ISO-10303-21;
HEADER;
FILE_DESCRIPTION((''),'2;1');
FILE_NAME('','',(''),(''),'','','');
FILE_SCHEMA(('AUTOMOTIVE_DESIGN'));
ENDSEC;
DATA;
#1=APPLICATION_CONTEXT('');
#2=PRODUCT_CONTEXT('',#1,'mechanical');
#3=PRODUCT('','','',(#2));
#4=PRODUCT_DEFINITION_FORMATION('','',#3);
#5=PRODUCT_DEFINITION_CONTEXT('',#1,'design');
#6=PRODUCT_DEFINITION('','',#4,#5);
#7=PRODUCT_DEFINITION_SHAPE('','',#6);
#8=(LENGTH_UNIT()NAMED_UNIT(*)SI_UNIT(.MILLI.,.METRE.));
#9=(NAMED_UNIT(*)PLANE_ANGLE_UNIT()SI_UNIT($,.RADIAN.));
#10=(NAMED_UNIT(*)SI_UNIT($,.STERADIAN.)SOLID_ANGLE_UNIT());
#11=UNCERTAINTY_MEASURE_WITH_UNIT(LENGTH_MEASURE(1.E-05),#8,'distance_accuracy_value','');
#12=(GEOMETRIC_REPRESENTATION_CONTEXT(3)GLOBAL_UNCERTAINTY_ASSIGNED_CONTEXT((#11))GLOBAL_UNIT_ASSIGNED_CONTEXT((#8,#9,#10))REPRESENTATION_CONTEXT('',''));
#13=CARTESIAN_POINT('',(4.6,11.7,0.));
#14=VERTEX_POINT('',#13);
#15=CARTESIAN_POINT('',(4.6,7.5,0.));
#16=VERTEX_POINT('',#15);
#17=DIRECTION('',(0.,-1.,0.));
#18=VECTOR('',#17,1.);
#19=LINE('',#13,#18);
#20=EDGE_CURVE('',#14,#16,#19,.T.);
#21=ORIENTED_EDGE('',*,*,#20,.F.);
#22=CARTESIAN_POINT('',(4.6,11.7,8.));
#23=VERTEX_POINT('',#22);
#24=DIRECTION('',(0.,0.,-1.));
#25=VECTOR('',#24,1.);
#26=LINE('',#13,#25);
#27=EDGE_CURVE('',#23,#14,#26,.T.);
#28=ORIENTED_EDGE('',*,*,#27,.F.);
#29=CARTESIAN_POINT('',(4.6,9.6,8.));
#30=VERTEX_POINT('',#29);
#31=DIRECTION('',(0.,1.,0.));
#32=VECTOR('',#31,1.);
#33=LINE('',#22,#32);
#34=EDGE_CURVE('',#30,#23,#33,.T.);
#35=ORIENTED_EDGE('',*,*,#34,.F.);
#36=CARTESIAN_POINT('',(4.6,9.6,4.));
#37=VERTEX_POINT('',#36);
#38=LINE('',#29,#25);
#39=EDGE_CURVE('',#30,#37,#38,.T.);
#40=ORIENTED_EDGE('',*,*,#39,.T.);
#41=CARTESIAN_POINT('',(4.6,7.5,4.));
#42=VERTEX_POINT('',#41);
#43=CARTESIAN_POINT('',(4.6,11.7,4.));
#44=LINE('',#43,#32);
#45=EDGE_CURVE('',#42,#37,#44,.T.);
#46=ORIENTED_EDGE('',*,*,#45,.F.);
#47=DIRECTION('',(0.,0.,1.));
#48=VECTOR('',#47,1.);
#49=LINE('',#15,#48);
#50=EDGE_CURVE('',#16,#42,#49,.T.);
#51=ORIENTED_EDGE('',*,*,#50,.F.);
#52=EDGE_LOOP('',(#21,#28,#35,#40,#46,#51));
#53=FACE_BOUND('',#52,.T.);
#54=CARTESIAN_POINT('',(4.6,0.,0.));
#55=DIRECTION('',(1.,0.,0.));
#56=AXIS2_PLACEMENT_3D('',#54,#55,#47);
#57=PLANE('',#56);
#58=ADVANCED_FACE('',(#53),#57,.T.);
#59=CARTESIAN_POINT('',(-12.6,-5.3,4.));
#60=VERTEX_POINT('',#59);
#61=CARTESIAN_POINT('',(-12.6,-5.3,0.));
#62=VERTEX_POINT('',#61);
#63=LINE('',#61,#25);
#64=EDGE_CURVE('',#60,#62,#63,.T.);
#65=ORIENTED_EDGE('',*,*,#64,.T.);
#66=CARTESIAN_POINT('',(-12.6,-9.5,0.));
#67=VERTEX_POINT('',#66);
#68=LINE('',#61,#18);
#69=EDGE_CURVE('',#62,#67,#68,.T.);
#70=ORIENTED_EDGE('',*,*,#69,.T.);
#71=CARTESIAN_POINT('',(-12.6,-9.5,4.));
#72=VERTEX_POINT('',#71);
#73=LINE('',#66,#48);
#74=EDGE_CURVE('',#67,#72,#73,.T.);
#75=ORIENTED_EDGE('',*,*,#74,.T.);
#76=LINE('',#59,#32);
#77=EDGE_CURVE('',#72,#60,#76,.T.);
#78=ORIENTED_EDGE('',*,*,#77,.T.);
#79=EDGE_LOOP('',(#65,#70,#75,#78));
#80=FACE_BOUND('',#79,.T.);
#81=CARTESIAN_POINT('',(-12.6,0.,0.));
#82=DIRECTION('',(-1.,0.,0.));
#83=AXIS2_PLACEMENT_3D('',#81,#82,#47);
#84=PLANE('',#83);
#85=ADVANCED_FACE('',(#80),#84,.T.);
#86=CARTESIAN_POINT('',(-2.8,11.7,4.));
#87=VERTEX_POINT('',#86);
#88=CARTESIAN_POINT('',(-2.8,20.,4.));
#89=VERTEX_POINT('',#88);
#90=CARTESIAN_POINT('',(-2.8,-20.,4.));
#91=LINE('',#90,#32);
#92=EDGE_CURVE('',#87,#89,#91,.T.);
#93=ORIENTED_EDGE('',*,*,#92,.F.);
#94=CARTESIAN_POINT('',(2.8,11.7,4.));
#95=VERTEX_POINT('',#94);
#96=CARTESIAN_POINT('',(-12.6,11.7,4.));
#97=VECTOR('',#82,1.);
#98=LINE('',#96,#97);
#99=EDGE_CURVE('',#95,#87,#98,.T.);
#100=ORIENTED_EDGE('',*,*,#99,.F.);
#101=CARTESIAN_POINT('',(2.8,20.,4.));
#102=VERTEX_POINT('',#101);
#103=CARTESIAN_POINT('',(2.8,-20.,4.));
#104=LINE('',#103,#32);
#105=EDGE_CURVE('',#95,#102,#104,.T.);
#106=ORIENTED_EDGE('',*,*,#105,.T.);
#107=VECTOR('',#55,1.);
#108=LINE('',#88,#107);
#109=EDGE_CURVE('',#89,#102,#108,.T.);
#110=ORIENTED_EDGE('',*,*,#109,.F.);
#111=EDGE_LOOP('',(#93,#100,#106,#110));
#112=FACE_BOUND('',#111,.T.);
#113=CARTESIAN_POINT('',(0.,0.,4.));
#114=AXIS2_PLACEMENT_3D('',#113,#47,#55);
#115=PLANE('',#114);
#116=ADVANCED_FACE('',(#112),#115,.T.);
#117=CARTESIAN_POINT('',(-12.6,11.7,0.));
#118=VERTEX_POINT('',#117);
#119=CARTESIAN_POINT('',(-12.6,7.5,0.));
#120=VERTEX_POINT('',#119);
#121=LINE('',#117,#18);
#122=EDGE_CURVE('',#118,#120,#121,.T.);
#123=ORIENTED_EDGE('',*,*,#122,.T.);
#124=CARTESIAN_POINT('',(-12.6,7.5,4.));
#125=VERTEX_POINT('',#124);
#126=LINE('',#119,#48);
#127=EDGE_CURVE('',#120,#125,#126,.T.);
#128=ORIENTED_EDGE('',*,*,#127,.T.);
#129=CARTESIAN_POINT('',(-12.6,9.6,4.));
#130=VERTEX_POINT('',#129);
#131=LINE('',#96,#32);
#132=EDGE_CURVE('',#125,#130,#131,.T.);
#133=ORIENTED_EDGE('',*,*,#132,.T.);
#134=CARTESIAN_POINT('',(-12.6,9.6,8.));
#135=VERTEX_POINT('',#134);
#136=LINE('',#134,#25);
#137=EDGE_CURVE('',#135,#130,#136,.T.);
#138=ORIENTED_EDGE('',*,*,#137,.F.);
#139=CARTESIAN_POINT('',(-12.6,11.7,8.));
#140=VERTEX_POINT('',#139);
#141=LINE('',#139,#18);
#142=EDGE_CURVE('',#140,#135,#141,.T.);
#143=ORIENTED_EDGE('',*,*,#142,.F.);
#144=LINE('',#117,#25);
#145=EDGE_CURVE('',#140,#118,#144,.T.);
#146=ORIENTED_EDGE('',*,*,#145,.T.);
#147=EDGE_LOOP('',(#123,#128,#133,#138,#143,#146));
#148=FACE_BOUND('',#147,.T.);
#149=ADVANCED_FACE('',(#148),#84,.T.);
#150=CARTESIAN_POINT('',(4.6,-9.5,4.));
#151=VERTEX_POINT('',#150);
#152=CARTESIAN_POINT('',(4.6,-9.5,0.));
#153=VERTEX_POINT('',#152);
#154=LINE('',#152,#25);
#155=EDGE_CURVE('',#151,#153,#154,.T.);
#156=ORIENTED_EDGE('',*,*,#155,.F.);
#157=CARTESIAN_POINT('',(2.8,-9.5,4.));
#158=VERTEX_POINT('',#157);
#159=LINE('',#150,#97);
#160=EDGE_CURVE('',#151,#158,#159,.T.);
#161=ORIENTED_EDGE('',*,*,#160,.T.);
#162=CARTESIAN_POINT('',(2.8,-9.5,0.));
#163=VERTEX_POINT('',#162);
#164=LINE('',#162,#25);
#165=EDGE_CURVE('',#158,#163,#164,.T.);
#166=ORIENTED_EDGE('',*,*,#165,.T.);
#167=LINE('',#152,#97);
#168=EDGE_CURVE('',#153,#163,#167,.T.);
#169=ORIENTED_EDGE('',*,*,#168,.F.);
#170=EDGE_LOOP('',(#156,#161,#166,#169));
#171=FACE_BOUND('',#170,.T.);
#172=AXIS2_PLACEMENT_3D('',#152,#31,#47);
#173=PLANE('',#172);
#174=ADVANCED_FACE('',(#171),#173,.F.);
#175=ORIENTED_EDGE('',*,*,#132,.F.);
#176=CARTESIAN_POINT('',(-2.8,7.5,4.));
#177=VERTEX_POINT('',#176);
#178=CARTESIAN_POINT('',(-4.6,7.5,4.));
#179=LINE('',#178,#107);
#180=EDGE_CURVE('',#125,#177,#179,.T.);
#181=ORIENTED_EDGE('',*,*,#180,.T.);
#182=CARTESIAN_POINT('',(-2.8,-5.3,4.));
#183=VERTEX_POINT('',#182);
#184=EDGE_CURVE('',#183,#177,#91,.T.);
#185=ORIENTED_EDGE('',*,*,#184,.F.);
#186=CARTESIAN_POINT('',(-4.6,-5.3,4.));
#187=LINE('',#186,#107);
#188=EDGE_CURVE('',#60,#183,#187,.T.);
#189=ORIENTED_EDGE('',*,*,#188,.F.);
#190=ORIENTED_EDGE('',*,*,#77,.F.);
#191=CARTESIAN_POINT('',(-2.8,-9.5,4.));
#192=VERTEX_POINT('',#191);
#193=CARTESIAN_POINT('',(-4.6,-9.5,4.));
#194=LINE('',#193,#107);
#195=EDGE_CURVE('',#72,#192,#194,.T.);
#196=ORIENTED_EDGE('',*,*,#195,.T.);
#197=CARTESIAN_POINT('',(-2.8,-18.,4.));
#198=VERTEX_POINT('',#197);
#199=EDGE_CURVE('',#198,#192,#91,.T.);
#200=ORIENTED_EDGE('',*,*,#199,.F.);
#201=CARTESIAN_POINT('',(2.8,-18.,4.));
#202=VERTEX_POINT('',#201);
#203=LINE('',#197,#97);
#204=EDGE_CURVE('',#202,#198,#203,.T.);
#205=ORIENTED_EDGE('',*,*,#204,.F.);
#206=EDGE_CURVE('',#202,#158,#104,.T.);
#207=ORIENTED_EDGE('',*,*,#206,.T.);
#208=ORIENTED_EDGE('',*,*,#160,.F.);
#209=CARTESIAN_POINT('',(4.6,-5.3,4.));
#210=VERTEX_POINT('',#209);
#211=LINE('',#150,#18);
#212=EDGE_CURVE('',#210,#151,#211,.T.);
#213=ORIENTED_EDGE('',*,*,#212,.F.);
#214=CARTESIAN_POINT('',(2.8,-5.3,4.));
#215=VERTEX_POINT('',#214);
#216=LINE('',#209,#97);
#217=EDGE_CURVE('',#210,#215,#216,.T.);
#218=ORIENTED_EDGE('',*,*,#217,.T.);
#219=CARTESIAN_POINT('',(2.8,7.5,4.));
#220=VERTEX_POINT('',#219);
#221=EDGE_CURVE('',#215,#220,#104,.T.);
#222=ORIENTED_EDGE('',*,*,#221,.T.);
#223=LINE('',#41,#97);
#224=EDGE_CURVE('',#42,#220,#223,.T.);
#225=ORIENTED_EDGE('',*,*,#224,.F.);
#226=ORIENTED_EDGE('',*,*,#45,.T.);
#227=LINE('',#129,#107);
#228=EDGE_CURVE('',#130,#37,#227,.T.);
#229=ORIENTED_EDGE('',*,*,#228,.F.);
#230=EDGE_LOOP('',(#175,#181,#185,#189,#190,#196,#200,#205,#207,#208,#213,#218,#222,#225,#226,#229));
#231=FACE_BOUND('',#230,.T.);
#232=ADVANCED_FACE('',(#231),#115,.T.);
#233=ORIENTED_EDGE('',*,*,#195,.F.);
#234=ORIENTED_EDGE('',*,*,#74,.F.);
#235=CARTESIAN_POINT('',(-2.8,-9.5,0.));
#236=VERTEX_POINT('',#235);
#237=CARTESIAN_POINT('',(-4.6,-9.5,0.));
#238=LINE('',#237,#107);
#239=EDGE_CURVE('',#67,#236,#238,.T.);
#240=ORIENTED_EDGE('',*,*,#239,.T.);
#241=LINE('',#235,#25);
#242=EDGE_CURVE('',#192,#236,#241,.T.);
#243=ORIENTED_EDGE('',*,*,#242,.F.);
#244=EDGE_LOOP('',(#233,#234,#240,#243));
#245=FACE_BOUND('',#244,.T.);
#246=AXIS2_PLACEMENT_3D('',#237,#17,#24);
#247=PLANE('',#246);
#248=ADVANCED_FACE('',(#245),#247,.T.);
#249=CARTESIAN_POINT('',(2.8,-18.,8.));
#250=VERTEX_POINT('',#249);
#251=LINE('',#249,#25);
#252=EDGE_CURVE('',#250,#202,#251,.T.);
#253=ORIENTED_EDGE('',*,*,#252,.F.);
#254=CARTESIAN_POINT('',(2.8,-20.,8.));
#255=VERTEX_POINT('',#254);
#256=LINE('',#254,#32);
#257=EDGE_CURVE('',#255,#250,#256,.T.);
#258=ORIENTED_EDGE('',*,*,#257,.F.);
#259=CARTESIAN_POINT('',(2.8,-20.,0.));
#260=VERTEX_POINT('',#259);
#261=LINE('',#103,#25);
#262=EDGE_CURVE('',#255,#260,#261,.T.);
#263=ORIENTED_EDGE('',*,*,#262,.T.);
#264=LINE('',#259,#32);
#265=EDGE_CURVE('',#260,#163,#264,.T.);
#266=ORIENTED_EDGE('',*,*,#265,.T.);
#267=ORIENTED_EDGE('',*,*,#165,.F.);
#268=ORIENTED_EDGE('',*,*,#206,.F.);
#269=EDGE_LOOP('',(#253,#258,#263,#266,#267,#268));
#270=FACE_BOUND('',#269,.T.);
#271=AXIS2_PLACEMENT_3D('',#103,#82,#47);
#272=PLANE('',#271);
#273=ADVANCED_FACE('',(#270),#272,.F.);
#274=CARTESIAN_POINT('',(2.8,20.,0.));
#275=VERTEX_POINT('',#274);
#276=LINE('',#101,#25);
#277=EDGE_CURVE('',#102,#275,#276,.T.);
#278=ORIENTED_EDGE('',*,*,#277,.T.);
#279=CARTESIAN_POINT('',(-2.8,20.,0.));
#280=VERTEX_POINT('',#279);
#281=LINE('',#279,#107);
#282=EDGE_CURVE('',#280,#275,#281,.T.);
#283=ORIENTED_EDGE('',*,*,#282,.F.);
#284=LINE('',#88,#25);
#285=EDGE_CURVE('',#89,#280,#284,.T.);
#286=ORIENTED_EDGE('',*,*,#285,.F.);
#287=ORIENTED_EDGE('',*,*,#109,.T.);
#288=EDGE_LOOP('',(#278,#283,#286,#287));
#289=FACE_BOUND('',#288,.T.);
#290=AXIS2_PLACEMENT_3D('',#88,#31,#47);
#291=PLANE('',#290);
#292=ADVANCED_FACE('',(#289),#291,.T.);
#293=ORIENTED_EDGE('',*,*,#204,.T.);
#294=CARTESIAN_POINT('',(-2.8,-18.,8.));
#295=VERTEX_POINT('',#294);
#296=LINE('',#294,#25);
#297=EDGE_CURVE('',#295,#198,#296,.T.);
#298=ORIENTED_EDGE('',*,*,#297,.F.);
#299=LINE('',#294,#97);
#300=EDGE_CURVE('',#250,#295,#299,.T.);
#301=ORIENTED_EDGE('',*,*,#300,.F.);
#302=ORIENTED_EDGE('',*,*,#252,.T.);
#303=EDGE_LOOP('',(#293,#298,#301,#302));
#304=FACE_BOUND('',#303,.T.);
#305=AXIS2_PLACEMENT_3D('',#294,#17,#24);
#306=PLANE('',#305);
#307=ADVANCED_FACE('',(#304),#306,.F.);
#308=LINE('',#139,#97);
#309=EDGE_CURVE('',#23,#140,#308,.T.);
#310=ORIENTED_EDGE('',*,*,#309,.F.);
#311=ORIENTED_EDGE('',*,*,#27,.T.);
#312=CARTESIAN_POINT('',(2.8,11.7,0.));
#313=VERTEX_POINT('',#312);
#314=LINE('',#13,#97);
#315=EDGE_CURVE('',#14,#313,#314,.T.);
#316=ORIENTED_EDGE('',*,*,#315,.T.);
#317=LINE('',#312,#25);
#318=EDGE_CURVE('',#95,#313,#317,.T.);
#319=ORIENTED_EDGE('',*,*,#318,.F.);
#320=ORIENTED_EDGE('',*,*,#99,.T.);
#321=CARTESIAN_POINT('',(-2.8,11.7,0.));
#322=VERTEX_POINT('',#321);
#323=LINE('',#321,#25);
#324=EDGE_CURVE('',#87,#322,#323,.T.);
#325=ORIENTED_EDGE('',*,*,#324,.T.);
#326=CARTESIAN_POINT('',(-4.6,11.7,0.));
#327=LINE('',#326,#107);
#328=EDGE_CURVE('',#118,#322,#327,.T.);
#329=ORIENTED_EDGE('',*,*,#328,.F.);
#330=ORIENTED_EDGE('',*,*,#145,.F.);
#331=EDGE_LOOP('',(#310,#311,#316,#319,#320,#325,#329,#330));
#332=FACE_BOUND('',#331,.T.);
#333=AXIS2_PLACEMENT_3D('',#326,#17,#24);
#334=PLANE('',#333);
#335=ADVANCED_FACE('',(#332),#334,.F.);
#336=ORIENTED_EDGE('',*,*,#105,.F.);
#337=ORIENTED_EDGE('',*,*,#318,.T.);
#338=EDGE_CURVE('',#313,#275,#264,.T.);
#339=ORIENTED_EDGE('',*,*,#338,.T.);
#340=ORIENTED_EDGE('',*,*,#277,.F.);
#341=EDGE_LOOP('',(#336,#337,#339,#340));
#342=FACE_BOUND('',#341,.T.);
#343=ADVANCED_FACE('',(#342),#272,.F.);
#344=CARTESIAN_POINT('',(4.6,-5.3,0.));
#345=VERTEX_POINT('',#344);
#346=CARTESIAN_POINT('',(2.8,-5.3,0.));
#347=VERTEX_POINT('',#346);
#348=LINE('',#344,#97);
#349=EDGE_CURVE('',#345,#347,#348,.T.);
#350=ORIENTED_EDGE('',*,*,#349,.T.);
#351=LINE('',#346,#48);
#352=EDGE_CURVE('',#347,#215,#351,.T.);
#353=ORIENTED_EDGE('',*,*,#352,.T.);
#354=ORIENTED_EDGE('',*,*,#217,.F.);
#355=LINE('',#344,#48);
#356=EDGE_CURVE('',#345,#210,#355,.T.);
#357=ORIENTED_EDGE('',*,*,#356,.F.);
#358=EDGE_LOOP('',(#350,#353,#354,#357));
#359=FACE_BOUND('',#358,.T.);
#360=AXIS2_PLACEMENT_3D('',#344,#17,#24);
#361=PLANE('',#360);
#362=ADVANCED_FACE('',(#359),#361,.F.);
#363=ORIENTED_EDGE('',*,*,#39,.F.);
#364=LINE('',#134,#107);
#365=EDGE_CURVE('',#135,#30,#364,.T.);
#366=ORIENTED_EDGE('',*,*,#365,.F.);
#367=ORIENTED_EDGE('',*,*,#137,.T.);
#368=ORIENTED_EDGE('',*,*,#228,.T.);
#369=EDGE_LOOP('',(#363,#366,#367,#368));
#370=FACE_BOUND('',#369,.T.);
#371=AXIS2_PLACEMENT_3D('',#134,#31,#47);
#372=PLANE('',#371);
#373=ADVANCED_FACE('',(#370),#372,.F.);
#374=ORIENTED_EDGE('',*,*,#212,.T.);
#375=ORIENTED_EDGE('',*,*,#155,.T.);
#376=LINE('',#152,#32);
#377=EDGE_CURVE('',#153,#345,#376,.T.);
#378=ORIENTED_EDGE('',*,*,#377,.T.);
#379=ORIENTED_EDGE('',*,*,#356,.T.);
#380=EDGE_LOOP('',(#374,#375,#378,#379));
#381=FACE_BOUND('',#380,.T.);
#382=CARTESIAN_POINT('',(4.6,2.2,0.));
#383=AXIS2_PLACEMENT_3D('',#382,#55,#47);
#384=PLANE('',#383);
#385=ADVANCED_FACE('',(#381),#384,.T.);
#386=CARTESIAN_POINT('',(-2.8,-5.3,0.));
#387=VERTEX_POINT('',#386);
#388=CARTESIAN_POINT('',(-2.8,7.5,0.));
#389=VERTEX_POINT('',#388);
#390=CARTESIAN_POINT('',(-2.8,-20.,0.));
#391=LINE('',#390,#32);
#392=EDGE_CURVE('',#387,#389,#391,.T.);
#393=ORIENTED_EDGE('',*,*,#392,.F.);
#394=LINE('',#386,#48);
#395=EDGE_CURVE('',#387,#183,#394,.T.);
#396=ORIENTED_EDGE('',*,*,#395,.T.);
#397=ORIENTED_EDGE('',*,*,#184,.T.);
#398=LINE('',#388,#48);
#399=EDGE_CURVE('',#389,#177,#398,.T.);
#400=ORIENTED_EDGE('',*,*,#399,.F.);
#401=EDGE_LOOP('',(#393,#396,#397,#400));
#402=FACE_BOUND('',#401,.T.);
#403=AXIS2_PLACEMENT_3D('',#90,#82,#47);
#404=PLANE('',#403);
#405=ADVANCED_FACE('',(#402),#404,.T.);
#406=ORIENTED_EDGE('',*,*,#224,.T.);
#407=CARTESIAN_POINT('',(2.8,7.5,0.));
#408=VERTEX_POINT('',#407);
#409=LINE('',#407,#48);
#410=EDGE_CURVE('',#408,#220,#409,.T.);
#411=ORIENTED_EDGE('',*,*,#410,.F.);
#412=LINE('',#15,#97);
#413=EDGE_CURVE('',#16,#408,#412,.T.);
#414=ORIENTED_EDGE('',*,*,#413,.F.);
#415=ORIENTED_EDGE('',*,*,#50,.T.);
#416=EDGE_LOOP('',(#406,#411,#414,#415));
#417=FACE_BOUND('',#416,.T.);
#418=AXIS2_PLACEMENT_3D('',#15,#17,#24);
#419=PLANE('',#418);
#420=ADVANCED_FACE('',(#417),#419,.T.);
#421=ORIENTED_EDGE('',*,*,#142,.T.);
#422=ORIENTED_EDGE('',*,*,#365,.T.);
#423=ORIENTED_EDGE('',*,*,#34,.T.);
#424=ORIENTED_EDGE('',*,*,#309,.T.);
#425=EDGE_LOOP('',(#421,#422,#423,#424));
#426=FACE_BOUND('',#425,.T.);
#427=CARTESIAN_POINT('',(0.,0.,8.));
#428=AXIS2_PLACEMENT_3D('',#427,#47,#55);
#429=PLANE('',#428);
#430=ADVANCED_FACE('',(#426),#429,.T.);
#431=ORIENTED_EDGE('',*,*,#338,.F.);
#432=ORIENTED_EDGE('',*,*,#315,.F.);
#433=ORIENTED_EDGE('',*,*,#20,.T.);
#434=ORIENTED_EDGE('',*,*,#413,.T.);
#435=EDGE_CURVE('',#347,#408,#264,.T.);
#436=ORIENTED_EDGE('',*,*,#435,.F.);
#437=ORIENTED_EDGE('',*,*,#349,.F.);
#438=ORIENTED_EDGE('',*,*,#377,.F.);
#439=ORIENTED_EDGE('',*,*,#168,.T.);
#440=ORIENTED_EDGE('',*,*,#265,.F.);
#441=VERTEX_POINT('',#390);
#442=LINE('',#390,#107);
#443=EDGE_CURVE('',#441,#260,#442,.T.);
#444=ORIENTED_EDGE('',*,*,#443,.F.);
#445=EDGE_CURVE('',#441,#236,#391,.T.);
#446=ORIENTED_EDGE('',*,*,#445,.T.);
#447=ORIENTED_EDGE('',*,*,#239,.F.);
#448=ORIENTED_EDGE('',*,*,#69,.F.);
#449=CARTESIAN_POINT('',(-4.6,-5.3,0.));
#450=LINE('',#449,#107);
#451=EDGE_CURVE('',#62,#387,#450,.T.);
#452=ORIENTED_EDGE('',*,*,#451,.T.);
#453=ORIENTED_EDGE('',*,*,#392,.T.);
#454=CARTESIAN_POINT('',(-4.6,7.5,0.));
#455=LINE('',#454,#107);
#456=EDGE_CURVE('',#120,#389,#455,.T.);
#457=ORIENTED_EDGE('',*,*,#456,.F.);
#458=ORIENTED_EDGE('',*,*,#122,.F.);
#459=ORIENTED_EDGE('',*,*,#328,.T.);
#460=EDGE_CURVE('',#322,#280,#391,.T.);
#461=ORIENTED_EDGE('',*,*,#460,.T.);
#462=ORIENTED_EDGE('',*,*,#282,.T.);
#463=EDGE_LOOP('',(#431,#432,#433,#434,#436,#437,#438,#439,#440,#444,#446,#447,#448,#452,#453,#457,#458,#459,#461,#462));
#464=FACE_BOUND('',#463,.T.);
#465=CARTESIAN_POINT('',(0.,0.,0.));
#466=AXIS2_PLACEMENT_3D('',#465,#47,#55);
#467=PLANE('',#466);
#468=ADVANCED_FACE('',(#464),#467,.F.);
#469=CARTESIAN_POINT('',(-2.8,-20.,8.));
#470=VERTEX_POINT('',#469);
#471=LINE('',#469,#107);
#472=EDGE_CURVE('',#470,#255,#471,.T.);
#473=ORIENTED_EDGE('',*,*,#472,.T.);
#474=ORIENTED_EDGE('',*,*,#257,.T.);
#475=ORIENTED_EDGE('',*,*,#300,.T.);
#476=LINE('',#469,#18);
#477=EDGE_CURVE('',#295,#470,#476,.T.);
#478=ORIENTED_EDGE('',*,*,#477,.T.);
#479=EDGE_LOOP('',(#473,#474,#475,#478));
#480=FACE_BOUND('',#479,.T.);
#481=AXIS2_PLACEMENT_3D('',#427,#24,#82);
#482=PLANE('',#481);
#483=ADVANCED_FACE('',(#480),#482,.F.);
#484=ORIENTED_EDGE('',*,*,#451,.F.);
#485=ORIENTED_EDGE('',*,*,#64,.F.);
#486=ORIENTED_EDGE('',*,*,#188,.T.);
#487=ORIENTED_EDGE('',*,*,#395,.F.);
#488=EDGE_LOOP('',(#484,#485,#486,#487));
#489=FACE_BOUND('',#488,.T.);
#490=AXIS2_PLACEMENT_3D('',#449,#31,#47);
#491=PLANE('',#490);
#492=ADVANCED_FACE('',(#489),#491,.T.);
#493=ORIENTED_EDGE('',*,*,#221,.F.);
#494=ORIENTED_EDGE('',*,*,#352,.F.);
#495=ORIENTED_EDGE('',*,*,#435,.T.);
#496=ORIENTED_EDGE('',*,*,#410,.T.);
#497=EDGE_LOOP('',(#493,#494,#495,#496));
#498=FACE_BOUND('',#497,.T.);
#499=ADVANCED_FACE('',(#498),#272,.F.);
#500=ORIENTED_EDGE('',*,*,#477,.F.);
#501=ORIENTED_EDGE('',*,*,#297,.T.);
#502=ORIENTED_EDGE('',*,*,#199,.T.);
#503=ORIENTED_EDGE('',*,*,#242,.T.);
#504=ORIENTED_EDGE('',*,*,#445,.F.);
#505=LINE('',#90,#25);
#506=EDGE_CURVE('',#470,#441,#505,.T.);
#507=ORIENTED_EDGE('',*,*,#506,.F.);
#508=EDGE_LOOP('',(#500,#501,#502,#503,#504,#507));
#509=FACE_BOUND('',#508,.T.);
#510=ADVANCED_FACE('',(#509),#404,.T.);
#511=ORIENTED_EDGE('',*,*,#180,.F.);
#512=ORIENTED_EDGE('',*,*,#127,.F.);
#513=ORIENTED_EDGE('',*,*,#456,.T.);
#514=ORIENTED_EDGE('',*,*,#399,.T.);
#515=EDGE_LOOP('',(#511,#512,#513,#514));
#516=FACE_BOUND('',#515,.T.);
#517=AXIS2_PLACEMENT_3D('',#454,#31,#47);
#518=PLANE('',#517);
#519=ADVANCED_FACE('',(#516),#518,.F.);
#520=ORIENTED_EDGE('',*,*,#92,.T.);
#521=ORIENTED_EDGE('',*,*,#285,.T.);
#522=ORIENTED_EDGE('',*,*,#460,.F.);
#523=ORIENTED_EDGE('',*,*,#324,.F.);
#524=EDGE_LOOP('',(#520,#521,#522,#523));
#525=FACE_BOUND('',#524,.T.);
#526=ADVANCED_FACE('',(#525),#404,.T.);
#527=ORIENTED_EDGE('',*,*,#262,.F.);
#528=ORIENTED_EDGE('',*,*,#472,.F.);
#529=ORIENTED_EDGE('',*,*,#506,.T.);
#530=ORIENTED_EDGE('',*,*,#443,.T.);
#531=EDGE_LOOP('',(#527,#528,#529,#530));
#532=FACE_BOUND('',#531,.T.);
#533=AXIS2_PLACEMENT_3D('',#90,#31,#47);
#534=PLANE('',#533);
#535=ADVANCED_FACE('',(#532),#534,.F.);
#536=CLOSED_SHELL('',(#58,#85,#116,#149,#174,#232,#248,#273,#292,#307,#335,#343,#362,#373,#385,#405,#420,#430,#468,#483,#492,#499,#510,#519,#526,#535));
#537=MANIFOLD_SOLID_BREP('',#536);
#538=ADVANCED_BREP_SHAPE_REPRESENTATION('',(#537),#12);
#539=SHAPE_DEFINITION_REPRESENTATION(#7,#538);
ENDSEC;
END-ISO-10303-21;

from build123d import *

# Parameters (mm, degrees)
SKETCH1_W               = 5.6
SKETCH1_H               = 40
BOSS_EXTRUDE1_DEPTH     = 4
SKETCH2_W               = 5.6
SKETCH2_H               = 2
BOSS_EXTRUDE2_DEPTH     = 4
SKETCH4_W               = 4
SKETCH4_H               = 4.2
BOSS_EXTRUDE3_DEPTH     = 1.8
MIRROR2_COPY_1_SKETCH_W = 4
MIRROR2_COPY_1_SKETCH_H = 4.2
MIRROR2_COPY_1_DEPTH    = 1.8
SKETCH8_W               = 4
SKETCH8_H               = 4.2
BOSS_EXTRUDE4_DEPTH     = 8
SKETCH9_W               = 17.2
SKETCH9_H               = 2.1
BOSS_EXTRUDE5_DEPTH     = 4


with BuildPart() as part:
    # Sketch1 → Boss-Extrude1 (new body)
    with BuildSketch(Plane.XY):
        Rectangle(SKETCH1_W, SKETCH1_H)
    extrude(amount=BOSS_EXTRUDE1_DEPTH)

    # Sketch2 → Boss-Extrude2 (add)
    with BuildSketch(Plane.XY.offset(4)):
        with Locations((0, -19)):
            Rectangle(SKETCH2_W, SKETCH2_H)
    extrude(amount=BOSS_EXTRUDE2_DEPTH)

    # Sketch4 → Boss-Extrude3 (add)
    with BuildSketch(Plane.ZY.offset(2.8)):
        with Locations((2, 9.6)):
            Rectangle(SKETCH4_W, SKETCH4_H)
    boss_extrude3 = extrude(amount=BOSS_EXTRUDE3_DEPTH)

    # Mirror1: Boss-Extrude3 across plane
    add(boss_extrude3.mirror(Plane.ZY))

    # Mirror2: Boss-Extrude3 across plane
    add(boss_extrude3.mirror(Plane(origin=(0, 1.1, 0), x_dir=(0, 0, 1), z_dir=(0, -1, 0))))

    # Mirror2 copy 1 sketch → Mirror2 copy 1 (add)
    with BuildSketch(Plane(origin=(2.8, 2.2, 0), x_dir=(0, 0, 1), z_dir=(1, 0, 0))):
        with Locations((2, 9.6)):
            Rectangle(MIRROR2_COPY_1_SKETCH_W, MIRROR2_COPY_1_SKETCH_H)
    extrude(amount=MIRROR2_COPY_1_DEPTH)

    # Sketch8 → Boss-Extrude4 (add)
    with BuildSketch(Plane.ZY.offset(4.6)):
        with Locations((2, 9.6)):
            Rectangle(SKETCH8_W, SKETCH8_H)
        with Locations((2, -7.4)):
            Rectangle(SKETCH8_W, SKETCH8_H)
    extrude(amount=BOSS_EXTRUDE4_DEPTH)

    # Sketch9 → Boss-Extrude5 (add)
    with BuildSketch(Plane.XY.offset(4)):
        with Locations((-4, 10.65)):
            Rectangle(SKETCH9_W, SKETCH9_H)
    extrude(amount=BOSS_EXTRUDE5_DEPTH)


solid = part.part
